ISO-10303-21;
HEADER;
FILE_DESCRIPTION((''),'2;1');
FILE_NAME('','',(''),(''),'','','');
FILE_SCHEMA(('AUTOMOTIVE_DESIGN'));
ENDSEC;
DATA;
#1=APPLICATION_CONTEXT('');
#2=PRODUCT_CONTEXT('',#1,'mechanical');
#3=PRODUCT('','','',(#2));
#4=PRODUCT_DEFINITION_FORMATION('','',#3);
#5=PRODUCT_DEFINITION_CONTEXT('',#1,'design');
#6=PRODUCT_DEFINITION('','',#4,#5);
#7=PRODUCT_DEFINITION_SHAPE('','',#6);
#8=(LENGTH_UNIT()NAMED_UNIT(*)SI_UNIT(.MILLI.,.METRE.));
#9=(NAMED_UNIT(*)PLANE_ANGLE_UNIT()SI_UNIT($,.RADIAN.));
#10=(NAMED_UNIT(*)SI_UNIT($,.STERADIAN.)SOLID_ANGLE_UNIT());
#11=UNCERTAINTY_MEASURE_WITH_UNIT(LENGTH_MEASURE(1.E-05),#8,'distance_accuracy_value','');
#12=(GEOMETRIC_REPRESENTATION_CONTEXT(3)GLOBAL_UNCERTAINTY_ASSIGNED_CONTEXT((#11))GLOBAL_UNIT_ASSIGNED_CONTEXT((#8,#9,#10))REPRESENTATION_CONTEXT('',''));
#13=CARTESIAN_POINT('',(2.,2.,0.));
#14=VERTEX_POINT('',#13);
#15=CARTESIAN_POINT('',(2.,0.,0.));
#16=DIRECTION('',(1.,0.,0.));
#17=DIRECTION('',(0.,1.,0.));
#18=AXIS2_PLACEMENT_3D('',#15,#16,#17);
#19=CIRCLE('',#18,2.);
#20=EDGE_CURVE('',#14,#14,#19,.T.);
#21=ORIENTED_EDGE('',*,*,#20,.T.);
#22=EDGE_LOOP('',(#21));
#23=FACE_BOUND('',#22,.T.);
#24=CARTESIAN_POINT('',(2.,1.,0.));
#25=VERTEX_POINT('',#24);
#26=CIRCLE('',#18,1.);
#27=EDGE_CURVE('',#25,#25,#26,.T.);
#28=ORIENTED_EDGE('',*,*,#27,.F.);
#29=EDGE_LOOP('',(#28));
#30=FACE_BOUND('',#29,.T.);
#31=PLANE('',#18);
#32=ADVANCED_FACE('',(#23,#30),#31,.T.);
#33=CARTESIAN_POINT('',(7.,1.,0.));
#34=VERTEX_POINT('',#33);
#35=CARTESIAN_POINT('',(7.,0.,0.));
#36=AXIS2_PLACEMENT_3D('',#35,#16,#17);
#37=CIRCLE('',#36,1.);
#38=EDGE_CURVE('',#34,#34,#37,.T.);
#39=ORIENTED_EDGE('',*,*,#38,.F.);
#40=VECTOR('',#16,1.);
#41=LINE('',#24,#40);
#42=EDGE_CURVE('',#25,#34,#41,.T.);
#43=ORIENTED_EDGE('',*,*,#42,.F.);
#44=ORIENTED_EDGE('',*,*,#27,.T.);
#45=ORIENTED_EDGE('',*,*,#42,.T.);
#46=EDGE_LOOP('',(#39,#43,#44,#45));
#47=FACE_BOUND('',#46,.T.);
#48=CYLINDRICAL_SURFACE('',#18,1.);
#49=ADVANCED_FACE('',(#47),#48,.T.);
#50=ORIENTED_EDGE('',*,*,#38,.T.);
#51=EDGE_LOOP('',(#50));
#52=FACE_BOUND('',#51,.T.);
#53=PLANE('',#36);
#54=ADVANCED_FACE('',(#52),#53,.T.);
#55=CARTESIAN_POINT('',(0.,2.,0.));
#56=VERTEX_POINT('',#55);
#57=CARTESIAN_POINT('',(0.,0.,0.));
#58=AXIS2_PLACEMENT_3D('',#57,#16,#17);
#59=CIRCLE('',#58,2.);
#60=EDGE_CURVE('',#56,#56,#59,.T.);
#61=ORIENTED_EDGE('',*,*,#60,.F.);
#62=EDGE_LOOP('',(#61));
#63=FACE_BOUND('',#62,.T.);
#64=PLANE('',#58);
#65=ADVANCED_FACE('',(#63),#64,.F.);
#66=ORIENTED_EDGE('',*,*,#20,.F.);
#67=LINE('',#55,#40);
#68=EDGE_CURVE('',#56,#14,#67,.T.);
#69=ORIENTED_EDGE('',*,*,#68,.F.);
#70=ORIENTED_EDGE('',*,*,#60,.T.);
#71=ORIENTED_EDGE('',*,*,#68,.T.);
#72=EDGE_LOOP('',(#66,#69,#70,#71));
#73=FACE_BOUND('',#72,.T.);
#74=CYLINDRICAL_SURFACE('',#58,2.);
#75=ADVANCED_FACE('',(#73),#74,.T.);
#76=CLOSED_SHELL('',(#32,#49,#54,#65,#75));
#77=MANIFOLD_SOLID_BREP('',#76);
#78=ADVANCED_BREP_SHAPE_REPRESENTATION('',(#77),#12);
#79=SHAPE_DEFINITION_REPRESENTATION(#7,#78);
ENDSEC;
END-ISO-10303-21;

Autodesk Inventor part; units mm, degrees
ref_plane "Plan de départ" through (0, 0, 0) normal (1, 0, 0) x (0, 1, 0)
ref_plane "XZ Plane" through (0, 0, 0) normal (0, 1, 0) x (-1, 0, 0)
ref_plane "XY Plane" through (0, 0, 0) normal (0, 0, 1) x (1, 0, 0)
sketch "Esquisse principale" plane through (0, 0, 0) normal (0, 0, 1) x (1, 0, 0)
  line L0 (0, 0) -> (7, 0)
  line L1 (0, 0) -> (0, 2)
  line L2 (2, 2) -> (2, 1)
  line L3 (0, 2) -> (2, 2)
  line L4 (7, 1) -> (7, 0)
  line L5 (2, 1) -> (7, 1)
  dimension "d3" = 4
  dimension "d4" = 2
revolve "Révolution1" add sketch "Esquisse principale" angle 360 about axis through (0, 0, 0) along (1, 0, 0)
properties part number "Arbre" material "Acier inoxydable"
